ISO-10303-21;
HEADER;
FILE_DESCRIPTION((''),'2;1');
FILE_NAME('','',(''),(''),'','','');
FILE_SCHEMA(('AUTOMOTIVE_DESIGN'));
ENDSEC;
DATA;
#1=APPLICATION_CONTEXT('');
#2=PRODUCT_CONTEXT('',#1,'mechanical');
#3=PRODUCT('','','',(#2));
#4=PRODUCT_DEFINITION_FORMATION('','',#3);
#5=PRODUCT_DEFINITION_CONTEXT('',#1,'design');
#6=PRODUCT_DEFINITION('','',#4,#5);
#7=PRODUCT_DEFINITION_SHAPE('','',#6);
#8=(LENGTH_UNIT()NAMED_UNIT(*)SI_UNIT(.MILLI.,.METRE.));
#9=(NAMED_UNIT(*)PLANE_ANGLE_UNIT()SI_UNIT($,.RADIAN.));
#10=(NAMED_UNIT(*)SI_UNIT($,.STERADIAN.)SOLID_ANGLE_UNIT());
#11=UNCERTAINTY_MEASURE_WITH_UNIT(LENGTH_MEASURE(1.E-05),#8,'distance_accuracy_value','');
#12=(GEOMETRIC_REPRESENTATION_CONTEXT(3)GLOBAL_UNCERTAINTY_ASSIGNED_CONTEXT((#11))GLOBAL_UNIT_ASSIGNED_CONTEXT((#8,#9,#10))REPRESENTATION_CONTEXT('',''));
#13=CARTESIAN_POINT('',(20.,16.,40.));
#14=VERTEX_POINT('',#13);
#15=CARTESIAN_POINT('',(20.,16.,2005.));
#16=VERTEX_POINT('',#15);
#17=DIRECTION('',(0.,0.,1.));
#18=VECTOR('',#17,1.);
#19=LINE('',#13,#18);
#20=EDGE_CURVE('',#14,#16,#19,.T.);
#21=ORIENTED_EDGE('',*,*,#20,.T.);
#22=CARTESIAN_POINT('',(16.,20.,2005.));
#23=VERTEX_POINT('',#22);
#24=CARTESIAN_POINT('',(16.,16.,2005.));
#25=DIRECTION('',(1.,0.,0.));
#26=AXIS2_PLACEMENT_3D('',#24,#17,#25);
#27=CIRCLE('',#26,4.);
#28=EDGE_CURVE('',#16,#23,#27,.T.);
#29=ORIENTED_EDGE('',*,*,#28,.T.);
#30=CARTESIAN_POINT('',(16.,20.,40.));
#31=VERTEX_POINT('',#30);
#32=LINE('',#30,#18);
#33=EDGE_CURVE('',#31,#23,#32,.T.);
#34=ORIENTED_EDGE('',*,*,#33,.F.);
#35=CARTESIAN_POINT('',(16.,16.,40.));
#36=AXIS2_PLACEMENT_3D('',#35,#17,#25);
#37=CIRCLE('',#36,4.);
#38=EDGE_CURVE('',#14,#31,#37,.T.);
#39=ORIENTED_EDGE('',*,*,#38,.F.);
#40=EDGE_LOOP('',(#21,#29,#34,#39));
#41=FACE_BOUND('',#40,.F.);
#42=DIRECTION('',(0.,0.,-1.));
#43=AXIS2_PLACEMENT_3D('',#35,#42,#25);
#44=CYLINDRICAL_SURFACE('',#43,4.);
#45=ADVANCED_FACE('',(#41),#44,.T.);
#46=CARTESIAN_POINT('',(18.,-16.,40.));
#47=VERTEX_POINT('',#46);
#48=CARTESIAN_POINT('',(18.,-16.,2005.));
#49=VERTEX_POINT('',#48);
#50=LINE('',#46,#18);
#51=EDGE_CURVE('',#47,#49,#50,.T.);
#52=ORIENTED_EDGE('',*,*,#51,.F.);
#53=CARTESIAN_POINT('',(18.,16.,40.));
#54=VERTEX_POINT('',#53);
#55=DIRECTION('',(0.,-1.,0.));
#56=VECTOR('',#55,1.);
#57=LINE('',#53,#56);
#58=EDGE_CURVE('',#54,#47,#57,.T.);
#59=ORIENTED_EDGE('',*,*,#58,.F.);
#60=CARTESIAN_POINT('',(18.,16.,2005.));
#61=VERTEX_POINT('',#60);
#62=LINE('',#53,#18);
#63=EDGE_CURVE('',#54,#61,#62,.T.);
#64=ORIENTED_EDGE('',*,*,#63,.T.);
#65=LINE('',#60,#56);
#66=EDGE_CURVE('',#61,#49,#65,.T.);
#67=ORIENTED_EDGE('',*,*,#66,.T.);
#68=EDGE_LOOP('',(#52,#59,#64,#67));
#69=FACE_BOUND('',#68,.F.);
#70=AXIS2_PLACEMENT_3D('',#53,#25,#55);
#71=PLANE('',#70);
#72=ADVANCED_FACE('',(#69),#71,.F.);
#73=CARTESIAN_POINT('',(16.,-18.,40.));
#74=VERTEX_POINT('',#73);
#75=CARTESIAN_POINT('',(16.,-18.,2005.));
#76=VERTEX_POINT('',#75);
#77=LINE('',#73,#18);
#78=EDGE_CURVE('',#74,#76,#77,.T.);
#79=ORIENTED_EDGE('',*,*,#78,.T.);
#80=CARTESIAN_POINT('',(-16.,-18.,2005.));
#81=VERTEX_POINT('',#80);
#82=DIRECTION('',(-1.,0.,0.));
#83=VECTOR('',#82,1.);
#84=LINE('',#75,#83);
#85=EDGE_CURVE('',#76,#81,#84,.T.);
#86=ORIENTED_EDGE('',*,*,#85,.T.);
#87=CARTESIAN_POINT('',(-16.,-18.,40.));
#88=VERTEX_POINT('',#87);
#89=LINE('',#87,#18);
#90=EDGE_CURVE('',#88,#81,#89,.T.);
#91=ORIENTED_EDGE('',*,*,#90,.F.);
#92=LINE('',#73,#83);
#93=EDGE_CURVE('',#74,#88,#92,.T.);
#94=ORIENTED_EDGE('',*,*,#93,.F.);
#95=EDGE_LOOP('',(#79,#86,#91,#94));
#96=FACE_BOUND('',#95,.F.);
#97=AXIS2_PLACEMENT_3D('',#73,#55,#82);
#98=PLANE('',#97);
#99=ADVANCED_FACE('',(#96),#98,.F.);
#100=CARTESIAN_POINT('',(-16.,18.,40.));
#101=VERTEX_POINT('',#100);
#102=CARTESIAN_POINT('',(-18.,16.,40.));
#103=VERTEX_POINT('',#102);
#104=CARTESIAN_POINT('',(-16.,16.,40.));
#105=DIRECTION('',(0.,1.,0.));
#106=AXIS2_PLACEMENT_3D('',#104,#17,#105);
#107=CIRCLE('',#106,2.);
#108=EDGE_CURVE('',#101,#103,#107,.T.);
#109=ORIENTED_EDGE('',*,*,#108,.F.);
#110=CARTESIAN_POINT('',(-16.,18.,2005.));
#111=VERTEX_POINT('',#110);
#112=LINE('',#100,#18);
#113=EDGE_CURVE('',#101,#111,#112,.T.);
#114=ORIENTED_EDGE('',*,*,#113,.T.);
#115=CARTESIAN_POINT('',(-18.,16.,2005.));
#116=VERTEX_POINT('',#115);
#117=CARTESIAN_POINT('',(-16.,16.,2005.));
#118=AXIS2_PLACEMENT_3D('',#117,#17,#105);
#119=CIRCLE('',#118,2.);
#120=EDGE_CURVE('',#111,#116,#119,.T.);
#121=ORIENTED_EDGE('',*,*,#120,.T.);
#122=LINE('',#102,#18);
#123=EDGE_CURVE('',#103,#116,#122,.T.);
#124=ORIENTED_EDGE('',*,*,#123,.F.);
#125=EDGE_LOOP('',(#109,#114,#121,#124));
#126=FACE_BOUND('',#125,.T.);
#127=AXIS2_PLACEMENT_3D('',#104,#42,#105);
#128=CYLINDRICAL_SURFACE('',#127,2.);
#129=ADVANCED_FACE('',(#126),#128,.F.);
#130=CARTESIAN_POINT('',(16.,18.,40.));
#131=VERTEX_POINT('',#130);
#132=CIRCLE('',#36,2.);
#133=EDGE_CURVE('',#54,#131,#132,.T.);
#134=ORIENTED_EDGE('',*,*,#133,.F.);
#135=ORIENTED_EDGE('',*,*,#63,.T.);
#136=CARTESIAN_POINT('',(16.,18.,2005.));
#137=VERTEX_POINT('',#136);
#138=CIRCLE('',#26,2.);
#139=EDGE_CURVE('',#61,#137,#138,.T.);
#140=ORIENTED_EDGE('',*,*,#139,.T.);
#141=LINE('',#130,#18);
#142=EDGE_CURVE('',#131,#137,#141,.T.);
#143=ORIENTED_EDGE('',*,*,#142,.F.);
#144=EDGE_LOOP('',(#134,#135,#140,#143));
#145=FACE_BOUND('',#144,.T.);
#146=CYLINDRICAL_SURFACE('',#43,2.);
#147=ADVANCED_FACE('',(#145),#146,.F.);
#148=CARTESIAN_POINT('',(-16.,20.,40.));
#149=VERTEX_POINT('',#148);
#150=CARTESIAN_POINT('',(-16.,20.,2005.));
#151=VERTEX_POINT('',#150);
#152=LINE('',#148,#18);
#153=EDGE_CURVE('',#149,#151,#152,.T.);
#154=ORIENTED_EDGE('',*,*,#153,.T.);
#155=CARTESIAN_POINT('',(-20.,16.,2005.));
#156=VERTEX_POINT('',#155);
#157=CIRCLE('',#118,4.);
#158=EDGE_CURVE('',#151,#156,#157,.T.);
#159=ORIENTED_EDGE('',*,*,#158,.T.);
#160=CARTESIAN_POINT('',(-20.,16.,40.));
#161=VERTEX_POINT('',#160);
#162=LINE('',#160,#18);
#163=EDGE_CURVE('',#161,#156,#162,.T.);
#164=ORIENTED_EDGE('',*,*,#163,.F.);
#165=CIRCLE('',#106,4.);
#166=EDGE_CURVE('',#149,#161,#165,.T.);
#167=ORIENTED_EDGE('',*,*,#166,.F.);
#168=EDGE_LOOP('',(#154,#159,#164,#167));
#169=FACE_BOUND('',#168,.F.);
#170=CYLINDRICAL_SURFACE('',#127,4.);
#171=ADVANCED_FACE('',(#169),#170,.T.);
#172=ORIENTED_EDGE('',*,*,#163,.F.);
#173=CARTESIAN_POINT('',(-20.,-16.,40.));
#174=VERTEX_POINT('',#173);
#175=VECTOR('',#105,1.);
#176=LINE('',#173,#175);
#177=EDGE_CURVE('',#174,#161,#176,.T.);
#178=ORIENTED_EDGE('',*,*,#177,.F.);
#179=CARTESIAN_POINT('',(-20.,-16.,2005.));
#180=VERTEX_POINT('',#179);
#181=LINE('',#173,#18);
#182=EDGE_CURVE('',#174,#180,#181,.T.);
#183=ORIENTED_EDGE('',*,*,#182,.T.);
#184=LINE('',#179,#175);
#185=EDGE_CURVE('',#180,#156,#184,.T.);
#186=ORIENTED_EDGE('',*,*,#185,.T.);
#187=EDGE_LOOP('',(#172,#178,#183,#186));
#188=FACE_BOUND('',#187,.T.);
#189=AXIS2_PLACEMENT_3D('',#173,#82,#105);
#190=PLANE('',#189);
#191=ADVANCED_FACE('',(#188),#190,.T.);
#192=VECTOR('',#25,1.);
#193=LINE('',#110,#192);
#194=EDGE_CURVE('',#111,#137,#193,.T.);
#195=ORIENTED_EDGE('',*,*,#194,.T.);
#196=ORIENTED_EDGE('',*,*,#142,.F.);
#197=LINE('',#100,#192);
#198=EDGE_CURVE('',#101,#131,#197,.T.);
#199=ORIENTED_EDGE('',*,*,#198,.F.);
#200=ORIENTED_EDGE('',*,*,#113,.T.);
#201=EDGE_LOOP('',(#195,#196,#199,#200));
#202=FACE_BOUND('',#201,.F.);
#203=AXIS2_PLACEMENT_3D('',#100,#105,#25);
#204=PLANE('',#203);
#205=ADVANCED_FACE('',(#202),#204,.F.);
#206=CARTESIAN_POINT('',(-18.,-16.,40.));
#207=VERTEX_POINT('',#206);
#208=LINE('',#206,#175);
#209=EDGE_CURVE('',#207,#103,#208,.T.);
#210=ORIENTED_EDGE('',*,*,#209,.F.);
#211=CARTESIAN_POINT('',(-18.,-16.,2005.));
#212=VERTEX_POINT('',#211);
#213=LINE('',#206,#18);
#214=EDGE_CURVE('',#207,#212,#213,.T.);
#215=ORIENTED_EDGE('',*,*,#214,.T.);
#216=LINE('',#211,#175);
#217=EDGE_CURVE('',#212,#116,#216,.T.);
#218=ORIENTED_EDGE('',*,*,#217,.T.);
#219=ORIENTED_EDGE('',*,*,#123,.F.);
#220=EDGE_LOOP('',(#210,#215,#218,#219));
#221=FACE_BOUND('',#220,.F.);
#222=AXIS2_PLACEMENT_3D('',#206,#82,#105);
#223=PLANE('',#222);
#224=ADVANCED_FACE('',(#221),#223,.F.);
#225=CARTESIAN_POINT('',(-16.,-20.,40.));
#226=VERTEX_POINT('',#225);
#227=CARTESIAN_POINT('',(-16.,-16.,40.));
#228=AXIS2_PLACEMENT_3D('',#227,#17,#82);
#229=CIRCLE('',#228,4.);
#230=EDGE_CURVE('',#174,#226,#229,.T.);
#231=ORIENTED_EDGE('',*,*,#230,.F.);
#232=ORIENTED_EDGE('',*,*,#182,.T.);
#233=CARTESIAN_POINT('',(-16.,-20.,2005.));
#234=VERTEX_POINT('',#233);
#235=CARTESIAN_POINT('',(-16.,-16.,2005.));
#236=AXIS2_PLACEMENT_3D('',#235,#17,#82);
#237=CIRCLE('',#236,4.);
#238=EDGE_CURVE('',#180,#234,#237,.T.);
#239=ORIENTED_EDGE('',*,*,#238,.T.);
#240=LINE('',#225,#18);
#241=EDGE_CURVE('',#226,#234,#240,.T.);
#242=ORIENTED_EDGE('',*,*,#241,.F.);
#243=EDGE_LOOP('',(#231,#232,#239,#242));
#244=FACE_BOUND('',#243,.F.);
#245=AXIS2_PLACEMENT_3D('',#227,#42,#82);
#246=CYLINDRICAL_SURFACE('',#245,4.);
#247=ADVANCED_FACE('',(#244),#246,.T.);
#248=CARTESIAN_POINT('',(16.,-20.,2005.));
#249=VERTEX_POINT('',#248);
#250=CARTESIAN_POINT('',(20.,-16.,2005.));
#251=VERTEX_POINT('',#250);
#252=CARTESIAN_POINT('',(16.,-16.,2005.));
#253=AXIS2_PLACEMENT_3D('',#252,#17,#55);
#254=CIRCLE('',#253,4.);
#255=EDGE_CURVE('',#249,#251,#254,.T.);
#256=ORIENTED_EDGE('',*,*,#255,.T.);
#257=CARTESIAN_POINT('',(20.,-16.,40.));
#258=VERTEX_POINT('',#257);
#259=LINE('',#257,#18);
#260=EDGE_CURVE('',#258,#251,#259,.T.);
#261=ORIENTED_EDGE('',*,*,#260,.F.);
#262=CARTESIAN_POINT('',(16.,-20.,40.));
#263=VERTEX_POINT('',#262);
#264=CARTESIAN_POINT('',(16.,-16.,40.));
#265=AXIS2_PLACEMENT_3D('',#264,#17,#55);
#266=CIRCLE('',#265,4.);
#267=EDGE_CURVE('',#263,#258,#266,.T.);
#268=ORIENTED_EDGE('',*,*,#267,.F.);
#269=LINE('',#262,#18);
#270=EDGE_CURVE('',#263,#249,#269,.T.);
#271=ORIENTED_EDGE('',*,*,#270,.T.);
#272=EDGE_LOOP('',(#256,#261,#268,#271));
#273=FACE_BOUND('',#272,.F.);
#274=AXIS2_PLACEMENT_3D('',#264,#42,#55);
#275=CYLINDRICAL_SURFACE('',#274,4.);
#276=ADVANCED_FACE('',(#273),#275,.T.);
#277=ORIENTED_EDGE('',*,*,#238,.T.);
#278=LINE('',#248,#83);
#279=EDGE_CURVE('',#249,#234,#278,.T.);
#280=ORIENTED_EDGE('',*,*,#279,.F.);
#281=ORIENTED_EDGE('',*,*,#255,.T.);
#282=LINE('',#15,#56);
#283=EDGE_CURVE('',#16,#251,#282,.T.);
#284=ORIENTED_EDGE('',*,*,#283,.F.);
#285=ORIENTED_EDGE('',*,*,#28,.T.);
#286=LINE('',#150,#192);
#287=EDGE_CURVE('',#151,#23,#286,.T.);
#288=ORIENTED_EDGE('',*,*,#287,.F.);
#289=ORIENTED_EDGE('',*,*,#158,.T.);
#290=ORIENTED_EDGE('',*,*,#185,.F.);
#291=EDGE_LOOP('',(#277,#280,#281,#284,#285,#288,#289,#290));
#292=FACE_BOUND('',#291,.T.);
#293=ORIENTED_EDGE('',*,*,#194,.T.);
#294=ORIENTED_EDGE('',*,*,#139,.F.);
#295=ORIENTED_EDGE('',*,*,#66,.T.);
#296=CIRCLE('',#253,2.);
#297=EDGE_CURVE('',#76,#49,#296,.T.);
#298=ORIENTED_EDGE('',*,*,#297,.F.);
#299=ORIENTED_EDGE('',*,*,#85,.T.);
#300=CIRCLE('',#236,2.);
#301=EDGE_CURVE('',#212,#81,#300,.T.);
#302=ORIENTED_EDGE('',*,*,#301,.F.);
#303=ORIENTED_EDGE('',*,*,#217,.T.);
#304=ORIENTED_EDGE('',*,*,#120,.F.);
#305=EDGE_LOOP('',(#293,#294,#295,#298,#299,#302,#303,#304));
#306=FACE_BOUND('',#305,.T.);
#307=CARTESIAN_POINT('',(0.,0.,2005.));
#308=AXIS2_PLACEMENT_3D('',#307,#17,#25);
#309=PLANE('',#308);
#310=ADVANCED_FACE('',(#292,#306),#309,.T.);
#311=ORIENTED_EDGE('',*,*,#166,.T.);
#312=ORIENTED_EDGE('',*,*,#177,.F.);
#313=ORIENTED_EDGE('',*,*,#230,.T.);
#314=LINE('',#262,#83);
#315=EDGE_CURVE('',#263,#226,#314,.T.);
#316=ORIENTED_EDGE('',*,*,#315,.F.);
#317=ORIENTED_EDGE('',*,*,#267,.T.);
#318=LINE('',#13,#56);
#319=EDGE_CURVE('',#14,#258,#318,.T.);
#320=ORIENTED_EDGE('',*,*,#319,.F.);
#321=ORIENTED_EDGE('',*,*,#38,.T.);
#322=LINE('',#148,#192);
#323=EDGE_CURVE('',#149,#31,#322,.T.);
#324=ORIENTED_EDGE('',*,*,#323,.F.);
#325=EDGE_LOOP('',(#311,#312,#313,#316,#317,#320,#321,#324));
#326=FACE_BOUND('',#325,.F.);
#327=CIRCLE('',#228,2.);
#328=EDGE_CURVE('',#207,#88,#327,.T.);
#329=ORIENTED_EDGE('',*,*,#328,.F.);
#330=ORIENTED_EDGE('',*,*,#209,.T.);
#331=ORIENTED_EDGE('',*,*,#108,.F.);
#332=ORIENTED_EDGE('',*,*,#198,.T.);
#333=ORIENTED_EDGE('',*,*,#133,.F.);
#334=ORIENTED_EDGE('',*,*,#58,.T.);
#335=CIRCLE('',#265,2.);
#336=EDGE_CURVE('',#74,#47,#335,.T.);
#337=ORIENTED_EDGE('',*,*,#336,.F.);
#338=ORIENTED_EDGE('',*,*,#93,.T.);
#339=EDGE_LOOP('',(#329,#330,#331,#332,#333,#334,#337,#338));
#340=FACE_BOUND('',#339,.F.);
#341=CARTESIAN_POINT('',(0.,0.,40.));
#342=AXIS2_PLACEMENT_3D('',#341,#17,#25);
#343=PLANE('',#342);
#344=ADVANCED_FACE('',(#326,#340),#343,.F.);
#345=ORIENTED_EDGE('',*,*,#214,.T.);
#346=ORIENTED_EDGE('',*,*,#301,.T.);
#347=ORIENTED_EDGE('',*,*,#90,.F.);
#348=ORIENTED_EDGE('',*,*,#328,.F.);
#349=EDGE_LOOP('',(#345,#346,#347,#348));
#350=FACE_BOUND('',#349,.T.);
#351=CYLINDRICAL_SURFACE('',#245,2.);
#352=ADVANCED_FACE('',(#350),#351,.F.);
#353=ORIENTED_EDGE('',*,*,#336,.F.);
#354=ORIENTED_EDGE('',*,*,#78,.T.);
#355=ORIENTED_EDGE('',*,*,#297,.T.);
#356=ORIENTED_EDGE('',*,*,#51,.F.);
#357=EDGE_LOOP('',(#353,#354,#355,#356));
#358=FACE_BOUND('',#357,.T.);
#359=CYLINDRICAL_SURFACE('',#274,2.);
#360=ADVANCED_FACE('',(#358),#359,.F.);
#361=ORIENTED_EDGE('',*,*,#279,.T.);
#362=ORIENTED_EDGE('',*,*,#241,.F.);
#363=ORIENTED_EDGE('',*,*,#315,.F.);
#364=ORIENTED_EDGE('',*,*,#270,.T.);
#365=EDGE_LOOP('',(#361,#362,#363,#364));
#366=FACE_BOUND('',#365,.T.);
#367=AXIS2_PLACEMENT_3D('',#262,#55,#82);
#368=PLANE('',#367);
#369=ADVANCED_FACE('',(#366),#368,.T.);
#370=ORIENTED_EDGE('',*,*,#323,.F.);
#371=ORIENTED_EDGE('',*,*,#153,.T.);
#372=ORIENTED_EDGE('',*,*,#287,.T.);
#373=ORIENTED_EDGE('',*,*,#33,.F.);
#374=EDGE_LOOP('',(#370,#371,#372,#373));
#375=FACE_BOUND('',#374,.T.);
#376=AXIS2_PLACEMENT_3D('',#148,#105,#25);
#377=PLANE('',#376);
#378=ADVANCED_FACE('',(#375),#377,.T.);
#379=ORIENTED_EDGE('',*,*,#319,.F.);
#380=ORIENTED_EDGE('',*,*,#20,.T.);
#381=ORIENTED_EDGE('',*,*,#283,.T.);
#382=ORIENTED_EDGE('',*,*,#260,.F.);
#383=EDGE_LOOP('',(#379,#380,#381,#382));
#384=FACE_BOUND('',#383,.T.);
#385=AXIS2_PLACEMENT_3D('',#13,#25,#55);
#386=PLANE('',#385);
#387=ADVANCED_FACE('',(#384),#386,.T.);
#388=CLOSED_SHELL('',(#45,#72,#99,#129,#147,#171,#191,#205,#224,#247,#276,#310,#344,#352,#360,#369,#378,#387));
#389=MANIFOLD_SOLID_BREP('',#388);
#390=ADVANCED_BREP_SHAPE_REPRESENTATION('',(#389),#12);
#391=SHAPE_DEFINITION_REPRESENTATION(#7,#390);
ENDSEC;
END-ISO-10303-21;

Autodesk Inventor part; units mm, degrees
ref_plane "YZ Plane" through (0, 0, 0) normal (1, 0, 0) x (0, 1, 0)
ref_plane "Start Plane" through (0, 0, 40) normal (0, 0, 1) x (1, 0, 0)
ref_plane "End Plane" through (0, 0, 2005) normal (0, 0, 1) x (1, 0, 0)
sketch "Sketch" plane through (0, 0, 0) normal (0, 0, 1) x (1, 0, 0)
  line L0 (-20, -16) -> (-20, 16)
  line L1 (-16, 20) -> (16, 20)
  line L2 (20, 16) -> (20, -16)
  line L3 (16, -20) -> (-16, -20)
  arc A0 (-20, -16) -> (-16, -20) centre (-16, -16) ccw
  arc A1 (20, 16) -> (16, 20) centre (16, 16) ccw
  arc A2 (-16, 20) -> (-20, 16) centre (-16, 16) ccw
  arc A3 (16, -20) -> (20, -16) centre (16, -16) ccw
  arc A4 (-16, 18) -> (-18, 16) centre (-16, 16) ccw
  line L4 (-16, 18) -> (16, 18)
  arc A5 (18, 16) -> (16, 18) centre (16, 16) ccw
  line L5 (18, 16) -> (18, -16)
  arc A6 (16, -18) -> (18, -16) centre (16, -16) ccw
  line L6 (16, -18) -> (-16, -18)
  arc A7 (-18, -16) -> (-16, -18) centre (-16, -16) ccw
  line L7 (-18, -16) -> (-18, 16)
  line L8 (0, 29.1598) -> (0, -29.1598) construction
  line L9 (-29.1598, 0) -> (29.1598, 0) construction
  dimension "d7" = 4
  dimension "d9" = 40
  dimension "d11" = 40
  dimension "d12" = 2
  dimension "d15" = 20
  dimension "d16" = 20
extrude "Body" add sketch "Sketch" along normal up to surface (1965 mm away) from surface at 40
sketch "Sketch3" plane through (0, 0, 0) normal (0, 0, 1) x (1, 0, 0)
  line L0 (0, 0) -> (10, 0)
ref_plane "Work Plane3" through (0, 0, 0) normal (0, -1, 0) x (1, 0, 0)
sketch "Sketch4" plane through (0, 0, 0) normal (0, -1, 0) x (1, 0, 0)
  line L0 (-2, 40) -> (12, 40) projected
  line L1 (-2, 2005) -> (12, 2005) projected
  dimension "d18" = 1965
equation "\"d7\" = G_IR"
equation "\"d9\" = G_W"
equation "\"d11\" = G_H"
equation "\"d12\" = G_T"
equation "\"d15\" = 0.5 * d9"
equation "\"d16\" = 0.5 * d11"
equation "\"d3\" = G_L"
equation "\"G_W\" = 40"
equation "\"G_H\" = 40"
equation "\"G_T\" = 2"
equation "\"G_IR\" = 4"
equation "\"G_L\" = d18"
equation "\"G_OFFSET_END\" = 0"
equation "\"d14\" = G_OFFSET_END + B_L"
equation "\"B_L\" = 2005"
properties part number "ISO 4019 - 40x40x2 - 1965" material "Steel, Mild"
